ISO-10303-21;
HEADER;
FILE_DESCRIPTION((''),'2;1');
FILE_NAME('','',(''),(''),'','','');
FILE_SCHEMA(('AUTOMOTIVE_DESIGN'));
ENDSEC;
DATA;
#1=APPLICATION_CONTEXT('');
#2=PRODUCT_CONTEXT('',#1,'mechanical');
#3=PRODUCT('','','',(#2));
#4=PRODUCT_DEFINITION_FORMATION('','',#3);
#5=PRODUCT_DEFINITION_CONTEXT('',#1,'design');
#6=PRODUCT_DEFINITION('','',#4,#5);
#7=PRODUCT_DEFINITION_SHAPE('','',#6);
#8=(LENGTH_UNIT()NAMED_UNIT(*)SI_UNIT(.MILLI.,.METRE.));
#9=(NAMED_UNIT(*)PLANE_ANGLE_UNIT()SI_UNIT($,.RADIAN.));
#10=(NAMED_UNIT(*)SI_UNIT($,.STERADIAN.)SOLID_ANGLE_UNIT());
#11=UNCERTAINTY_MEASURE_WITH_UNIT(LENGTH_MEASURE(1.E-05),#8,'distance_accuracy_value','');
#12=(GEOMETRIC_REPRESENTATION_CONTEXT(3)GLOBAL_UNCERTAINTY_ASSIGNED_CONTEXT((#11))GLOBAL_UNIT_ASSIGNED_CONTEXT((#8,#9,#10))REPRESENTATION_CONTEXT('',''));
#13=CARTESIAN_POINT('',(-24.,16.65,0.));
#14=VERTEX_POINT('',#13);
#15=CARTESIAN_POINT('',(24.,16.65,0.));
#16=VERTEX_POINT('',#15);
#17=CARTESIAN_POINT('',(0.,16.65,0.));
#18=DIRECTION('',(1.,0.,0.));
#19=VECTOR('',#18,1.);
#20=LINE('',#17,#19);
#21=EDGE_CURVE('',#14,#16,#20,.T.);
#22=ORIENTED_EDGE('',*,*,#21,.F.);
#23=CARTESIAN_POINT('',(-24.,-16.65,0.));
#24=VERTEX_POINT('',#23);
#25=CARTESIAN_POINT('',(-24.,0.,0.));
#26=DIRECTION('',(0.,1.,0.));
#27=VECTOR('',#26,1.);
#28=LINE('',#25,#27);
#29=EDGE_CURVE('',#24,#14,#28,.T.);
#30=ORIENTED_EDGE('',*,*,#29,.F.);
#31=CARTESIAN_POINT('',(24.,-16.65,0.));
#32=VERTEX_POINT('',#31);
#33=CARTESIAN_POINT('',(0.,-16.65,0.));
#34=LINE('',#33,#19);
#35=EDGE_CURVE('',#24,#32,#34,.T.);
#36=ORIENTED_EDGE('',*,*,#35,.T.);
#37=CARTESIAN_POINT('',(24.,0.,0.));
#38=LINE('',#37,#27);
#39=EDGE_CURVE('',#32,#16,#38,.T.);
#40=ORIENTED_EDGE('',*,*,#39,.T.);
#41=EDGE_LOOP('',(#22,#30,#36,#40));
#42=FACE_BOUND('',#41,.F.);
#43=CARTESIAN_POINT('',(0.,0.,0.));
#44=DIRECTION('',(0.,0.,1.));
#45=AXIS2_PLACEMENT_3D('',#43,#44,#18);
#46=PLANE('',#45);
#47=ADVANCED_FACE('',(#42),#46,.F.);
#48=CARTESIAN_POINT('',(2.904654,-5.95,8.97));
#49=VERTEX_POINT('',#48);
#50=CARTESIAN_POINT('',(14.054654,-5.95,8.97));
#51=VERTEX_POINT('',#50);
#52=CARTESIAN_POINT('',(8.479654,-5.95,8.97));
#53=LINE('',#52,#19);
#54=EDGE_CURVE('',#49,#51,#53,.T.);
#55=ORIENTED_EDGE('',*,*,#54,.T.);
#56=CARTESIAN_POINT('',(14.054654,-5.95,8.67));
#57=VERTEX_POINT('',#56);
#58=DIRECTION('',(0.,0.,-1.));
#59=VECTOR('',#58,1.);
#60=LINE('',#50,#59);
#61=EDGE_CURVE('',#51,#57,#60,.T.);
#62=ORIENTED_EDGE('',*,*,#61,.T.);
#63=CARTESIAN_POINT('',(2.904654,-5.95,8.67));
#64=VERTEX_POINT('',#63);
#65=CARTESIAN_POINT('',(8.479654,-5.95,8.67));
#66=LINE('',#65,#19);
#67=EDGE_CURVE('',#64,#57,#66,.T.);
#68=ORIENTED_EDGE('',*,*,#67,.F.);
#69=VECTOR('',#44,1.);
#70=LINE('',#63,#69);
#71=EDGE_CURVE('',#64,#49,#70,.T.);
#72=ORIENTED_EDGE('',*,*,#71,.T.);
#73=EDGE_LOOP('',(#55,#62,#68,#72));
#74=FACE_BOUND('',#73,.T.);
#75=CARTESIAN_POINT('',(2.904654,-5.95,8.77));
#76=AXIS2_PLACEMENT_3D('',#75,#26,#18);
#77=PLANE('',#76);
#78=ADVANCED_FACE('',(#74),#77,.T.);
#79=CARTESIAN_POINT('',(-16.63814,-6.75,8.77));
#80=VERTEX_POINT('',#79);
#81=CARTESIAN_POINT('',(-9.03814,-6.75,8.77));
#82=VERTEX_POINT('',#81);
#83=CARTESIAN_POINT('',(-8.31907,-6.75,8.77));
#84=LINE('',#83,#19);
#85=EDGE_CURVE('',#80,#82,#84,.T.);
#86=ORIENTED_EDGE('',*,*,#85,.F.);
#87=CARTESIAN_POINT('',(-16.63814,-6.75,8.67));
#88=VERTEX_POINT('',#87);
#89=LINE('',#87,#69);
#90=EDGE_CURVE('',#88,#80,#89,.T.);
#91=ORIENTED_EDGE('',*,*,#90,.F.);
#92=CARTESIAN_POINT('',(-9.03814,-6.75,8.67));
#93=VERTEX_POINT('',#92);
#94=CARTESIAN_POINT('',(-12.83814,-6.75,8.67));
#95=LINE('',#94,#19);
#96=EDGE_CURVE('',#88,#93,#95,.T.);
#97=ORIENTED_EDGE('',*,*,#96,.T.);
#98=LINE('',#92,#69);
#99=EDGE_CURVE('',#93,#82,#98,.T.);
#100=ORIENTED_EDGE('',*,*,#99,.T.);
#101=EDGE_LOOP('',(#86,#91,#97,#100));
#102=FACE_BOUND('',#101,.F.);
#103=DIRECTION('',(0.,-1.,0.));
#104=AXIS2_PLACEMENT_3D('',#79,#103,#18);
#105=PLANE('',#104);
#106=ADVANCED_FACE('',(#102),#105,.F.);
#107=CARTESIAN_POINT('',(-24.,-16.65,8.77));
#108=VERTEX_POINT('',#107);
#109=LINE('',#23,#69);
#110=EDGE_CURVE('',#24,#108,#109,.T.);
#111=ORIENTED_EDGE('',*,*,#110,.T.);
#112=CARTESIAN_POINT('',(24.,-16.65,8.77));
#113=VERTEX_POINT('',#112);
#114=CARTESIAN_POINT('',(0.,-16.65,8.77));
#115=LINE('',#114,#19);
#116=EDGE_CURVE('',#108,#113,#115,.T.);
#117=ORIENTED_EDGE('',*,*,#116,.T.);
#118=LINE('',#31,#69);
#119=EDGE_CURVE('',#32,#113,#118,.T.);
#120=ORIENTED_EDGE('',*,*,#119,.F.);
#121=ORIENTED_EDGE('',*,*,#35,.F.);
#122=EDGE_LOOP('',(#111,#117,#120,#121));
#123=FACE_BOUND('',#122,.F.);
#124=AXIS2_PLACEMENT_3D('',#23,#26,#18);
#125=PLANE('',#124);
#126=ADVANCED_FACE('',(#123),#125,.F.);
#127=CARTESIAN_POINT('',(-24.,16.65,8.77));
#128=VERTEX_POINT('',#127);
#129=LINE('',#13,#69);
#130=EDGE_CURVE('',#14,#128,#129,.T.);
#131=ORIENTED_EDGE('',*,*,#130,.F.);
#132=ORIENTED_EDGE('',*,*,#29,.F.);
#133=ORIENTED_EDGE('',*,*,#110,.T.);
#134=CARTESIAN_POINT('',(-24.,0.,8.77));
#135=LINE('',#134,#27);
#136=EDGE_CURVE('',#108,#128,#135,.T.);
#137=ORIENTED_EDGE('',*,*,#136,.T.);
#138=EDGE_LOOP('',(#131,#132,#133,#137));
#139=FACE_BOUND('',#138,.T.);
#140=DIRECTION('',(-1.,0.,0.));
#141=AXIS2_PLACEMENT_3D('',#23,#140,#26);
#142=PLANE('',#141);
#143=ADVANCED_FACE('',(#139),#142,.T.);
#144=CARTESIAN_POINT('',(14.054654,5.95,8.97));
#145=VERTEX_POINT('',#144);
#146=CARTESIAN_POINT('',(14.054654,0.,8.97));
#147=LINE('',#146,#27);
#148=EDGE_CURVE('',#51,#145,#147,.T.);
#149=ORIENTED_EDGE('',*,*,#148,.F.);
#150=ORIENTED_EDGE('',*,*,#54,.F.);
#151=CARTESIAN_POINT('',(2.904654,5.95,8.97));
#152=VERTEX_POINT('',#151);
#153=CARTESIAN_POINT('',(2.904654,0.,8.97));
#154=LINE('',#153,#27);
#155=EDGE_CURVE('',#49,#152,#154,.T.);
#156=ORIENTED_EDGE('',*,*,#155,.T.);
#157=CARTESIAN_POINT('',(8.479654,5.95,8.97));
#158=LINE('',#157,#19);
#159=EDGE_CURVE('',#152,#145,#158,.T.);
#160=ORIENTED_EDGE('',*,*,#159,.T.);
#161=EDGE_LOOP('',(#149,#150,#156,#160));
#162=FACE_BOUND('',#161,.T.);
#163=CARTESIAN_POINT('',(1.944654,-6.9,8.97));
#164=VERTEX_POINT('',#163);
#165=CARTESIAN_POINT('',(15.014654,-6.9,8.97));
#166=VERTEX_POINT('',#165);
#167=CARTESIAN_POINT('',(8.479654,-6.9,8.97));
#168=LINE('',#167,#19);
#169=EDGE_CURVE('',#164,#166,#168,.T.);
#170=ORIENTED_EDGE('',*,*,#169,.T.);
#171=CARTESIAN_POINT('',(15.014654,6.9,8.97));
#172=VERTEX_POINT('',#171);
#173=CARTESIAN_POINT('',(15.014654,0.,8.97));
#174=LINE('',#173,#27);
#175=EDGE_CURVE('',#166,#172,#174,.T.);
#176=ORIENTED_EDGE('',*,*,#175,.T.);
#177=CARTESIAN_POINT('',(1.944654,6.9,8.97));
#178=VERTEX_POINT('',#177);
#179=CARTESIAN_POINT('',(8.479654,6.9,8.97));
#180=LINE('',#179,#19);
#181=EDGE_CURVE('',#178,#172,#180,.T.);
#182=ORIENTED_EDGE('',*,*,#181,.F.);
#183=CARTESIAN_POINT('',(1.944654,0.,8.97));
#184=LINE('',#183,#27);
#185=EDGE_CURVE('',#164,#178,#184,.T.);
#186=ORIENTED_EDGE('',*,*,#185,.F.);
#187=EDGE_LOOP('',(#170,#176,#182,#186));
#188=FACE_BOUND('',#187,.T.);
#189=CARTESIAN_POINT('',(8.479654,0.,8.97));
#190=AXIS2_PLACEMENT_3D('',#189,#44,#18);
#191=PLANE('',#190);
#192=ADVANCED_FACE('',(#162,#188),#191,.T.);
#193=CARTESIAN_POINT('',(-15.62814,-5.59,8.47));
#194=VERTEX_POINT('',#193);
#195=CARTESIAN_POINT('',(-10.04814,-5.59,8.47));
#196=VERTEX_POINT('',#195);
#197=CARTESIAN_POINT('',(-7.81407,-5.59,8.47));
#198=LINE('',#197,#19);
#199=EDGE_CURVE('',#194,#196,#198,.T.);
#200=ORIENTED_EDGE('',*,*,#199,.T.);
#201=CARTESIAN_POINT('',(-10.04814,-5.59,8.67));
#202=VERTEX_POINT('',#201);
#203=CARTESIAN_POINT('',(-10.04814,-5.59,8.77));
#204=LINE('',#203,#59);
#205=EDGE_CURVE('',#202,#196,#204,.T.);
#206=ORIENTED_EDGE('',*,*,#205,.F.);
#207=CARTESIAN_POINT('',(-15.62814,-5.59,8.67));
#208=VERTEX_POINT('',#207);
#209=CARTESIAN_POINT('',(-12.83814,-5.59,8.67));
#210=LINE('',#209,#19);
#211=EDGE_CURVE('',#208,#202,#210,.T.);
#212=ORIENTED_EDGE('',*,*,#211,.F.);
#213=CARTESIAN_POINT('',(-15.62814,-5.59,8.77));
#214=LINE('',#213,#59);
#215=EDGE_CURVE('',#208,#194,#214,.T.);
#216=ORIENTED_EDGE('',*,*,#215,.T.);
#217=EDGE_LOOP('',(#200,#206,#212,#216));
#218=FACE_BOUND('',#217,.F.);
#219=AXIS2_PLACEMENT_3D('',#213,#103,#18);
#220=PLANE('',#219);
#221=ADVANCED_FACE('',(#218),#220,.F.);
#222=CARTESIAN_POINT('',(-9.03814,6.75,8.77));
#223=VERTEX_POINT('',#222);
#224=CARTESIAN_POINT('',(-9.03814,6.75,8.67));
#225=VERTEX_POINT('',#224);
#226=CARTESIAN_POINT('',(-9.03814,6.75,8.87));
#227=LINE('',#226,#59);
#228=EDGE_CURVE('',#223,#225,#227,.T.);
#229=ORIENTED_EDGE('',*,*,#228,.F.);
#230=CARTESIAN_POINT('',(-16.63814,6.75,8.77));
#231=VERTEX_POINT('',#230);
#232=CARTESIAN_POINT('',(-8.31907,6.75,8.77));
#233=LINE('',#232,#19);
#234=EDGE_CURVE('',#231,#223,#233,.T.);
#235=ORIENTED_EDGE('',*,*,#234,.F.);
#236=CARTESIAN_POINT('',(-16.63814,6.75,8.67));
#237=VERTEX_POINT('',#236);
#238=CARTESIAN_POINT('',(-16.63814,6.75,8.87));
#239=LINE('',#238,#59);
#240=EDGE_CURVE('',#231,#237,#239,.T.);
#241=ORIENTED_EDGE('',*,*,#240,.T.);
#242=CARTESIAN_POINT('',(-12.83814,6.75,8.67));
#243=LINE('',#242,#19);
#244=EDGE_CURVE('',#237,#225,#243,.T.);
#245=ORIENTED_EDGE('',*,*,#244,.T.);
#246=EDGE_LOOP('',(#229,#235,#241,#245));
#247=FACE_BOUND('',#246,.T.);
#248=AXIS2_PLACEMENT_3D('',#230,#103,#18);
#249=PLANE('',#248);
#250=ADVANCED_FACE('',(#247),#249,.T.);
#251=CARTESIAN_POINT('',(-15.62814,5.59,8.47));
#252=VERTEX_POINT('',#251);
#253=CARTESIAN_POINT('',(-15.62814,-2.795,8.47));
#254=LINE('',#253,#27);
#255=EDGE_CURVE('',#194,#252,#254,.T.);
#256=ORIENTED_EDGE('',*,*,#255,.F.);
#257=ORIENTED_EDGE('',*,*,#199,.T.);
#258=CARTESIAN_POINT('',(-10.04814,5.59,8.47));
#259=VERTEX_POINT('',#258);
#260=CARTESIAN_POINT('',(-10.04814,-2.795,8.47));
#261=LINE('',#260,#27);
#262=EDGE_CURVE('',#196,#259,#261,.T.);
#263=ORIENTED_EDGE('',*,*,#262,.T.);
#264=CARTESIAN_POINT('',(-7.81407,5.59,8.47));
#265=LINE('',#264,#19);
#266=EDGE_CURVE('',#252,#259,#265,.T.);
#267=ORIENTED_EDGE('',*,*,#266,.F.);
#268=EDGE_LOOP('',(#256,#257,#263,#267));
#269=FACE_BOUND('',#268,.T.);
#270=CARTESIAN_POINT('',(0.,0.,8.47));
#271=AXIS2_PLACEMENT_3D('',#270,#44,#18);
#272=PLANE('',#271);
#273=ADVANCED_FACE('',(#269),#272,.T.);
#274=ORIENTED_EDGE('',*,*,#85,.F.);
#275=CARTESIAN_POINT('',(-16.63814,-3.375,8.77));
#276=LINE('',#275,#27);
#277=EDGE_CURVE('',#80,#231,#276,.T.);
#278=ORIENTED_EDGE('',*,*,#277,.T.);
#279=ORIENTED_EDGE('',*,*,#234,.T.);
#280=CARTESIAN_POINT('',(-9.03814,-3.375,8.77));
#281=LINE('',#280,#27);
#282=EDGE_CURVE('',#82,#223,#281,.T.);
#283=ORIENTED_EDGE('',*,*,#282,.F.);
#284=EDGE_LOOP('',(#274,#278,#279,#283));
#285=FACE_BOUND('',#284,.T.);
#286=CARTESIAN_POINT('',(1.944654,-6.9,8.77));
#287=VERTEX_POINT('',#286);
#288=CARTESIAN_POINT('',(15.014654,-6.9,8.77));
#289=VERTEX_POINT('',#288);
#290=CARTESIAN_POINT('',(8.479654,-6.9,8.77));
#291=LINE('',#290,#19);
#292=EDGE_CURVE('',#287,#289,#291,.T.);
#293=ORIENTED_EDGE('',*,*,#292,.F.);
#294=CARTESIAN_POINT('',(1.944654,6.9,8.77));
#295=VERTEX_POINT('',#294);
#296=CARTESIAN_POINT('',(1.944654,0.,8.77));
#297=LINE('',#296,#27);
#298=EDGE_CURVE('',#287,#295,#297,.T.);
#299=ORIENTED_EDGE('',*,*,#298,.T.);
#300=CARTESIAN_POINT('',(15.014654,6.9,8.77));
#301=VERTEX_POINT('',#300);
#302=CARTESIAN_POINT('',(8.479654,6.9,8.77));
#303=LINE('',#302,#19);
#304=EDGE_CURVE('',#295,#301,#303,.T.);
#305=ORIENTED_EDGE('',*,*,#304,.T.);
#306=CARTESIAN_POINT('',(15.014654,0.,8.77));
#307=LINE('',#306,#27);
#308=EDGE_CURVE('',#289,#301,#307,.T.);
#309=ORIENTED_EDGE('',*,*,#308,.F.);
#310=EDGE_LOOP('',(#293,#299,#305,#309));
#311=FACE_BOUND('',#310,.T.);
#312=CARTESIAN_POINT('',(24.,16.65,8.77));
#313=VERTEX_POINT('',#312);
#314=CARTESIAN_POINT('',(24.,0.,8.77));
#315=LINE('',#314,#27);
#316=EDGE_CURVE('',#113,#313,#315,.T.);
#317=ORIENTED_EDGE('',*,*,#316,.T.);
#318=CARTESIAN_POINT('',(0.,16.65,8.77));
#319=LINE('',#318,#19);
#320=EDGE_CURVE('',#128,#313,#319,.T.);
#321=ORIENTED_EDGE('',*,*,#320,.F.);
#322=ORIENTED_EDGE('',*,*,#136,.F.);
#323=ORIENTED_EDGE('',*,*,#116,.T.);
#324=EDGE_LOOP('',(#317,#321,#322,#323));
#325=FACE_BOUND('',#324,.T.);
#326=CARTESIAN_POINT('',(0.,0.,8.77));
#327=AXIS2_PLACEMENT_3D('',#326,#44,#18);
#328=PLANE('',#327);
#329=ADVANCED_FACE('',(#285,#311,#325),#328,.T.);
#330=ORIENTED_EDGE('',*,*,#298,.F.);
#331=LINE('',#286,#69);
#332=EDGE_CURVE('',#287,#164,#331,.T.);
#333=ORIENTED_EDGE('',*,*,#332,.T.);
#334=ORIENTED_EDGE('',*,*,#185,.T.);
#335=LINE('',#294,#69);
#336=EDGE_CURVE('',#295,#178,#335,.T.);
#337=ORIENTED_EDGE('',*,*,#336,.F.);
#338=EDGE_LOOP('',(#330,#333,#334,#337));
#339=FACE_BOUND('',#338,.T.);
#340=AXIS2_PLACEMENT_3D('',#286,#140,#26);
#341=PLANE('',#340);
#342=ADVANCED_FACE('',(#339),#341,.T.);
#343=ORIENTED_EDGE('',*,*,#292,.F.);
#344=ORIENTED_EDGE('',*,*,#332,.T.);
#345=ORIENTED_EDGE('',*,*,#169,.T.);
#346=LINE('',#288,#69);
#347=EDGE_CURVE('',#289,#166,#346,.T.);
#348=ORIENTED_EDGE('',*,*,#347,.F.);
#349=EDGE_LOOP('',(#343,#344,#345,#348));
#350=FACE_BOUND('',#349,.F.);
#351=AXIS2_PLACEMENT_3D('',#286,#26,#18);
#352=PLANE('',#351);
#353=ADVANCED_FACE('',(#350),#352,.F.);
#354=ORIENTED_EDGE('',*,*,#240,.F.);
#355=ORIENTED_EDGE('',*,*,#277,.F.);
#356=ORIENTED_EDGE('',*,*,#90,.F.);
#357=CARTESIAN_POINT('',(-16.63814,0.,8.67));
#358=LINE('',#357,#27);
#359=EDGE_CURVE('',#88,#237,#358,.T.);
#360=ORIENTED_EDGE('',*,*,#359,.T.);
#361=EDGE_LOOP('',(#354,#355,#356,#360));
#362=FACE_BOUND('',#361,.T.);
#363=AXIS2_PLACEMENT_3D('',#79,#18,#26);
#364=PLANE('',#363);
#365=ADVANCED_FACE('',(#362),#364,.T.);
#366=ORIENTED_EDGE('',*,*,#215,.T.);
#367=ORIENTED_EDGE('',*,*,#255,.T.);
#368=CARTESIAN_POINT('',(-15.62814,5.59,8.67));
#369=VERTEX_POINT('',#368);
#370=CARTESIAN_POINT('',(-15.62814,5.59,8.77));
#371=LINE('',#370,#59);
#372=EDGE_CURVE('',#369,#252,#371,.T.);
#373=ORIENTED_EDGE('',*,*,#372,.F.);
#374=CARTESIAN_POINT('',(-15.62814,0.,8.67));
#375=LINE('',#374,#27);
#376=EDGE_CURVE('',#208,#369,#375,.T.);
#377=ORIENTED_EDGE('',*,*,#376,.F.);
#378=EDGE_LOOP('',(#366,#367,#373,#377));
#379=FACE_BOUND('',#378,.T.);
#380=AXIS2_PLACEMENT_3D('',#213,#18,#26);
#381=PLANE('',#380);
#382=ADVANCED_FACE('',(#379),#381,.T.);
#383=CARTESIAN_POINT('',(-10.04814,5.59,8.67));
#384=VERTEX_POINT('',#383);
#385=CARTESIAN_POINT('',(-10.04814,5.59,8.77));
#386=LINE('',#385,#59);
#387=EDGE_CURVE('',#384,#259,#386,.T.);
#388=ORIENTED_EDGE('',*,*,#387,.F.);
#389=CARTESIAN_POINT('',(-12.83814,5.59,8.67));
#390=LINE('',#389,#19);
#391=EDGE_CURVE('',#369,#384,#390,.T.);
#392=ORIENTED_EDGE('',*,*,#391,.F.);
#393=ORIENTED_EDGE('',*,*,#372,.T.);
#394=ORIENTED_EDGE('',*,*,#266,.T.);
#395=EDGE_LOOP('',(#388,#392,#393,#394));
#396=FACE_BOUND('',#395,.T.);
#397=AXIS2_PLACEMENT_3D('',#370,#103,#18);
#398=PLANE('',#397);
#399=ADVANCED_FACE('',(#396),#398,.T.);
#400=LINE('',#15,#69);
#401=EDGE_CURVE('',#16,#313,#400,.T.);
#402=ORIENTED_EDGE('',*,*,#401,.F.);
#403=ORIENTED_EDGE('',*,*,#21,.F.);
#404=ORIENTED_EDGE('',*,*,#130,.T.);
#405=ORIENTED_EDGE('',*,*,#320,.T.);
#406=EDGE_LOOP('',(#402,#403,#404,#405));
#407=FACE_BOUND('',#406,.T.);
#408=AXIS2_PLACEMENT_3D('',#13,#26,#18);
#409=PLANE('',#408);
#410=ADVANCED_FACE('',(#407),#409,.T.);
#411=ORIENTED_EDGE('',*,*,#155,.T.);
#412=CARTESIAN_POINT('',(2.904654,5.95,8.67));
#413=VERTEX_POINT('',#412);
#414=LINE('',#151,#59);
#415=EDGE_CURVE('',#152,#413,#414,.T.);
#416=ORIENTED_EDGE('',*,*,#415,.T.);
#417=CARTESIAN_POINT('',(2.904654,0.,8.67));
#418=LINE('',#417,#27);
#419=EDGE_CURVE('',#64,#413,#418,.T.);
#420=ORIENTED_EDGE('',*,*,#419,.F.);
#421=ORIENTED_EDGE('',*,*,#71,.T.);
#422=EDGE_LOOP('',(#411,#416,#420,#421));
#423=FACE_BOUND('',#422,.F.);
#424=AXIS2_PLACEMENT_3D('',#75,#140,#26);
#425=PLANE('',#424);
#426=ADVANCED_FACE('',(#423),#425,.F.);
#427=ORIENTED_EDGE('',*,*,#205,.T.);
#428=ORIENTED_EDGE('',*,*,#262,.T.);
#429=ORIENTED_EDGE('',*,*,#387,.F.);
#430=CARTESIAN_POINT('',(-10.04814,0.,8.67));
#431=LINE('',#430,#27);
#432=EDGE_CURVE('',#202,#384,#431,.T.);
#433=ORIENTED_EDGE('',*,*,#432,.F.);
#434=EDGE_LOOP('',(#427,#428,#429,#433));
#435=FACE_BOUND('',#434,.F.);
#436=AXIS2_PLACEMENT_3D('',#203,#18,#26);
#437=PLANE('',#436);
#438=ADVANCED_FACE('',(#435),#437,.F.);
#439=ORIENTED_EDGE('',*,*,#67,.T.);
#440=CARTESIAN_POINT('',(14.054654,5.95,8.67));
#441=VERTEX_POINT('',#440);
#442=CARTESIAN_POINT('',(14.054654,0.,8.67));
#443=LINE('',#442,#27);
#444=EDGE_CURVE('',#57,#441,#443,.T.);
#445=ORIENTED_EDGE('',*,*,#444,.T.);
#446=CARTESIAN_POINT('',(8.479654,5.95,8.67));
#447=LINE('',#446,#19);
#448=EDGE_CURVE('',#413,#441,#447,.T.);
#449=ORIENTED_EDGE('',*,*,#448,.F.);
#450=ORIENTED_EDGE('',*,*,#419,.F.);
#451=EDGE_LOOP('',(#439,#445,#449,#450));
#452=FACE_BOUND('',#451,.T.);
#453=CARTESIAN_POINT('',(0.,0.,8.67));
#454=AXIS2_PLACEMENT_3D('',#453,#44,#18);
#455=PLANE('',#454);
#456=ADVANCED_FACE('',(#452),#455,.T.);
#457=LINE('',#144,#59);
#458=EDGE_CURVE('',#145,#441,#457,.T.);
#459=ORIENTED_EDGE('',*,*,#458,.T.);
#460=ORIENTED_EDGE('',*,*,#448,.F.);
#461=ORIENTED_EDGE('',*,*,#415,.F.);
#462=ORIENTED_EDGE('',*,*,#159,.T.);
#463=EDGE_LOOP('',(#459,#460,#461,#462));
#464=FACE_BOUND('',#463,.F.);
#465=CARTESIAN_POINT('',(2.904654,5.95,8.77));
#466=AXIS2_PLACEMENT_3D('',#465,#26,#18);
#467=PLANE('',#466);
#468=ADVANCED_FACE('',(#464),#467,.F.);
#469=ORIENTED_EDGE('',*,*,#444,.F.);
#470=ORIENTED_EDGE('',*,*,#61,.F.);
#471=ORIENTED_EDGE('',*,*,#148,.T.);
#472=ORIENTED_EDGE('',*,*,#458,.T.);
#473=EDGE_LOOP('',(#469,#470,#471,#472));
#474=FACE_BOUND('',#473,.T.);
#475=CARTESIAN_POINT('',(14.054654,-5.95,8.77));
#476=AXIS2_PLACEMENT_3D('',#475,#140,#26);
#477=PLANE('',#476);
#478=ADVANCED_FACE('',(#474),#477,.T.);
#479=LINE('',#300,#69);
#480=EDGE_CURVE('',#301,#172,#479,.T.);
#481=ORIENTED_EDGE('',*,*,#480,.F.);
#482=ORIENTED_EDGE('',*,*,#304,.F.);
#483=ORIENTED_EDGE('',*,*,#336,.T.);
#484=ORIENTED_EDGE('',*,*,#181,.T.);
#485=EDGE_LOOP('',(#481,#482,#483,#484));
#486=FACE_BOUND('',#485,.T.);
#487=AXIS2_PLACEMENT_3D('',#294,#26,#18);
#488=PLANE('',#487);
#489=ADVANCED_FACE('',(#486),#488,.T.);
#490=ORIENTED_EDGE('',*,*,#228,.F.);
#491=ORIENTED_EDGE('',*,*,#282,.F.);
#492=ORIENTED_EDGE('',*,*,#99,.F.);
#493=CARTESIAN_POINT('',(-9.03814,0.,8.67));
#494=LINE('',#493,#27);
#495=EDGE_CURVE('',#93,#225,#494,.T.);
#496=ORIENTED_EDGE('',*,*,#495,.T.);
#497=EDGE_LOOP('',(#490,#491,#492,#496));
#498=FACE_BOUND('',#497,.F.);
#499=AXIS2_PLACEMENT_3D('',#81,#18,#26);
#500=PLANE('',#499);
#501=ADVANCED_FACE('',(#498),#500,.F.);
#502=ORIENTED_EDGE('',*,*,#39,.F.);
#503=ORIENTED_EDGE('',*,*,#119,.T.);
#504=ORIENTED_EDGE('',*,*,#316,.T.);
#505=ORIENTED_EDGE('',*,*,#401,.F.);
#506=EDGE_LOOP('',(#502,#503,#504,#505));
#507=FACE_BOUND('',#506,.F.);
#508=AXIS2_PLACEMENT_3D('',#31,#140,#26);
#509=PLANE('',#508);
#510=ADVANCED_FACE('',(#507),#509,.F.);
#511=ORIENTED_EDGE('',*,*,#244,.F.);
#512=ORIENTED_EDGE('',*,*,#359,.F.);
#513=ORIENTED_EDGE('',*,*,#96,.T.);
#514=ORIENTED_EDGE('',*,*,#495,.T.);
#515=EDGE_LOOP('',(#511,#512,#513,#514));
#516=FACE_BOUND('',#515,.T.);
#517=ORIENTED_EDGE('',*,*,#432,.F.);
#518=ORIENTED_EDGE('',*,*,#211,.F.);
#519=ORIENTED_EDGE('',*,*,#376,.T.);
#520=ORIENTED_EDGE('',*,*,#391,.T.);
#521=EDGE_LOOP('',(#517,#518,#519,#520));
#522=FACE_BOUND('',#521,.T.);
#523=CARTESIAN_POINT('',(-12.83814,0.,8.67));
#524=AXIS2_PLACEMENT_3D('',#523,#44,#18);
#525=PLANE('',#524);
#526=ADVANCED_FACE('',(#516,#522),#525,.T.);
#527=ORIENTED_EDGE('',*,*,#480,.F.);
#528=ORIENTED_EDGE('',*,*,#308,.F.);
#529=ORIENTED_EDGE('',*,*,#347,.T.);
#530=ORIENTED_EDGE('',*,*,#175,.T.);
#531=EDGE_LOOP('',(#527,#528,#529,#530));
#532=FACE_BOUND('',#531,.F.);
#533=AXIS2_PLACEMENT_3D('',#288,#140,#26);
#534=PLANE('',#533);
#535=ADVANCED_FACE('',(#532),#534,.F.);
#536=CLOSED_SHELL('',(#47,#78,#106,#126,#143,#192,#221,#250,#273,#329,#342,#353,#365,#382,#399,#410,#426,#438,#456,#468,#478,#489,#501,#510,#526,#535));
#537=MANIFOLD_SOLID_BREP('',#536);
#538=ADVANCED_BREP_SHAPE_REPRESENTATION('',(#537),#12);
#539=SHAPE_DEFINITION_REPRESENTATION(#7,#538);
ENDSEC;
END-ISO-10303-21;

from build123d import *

# Parameters (mm, degrees)
F0_W     = 48
F0_H     = 33.3
F1_DEPTH = 8.77
F2_W     = 7.6
F2_H     = 13.5
F2_W_2   = 5.58
F2_H_2   = 11.18
F3_DEPTH = 0.1
F4_DEPTH = 0.3
F5_W     = 13.07
F5_H     = 13.8
F5_W_2   = 11.15
F5_H_2   = 11.9
F6_DEPTH = 0.2
F7_DEPTH = 0.1


with BuildPart() as f1:
    # F0 (on Top) → F1 (new body)
    with BuildSketch(Plane.XY):
        Rectangle(F0_W, F0_H)
    extrude(amount=F1_DEPTH)

    # F2 (on face) → F3 (cut, symmetric)
    with BuildSketch(Plane.XY.offset(8.77)):
        with Locations((-12.83814013, 0)):
            Rectangle(F2_W, F2_H)
        with Locations((-12.83814013, 0)):
            Rectangle(F2_W_2, F2_H_2, mode=Mode.SUBTRACT)
    extrude(amount=F3_DEPTH, both=True, mode=Mode.SUBTRACT)

    # F4 (cut): a face of the model
    f4_faces = [f1.faces().sort_by_distance(p)[0] for p in [
        (-12.83814013, 0, 8.77),
    ]]
    extrude(f4_faces, amount=-F4_DEPTH, mode=Mode.SUBTRACT)

    # F5 (on face) → F6 (join)
    with BuildSketch(Plane.XY.offset(8.77)):
        with Locations((8.4796537594, 0)):
            Rectangle(F5_W, F5_H)
        with Locations((8.4796537594, 0)):
            Rectangle(F5_W_2, F5_H_2, mode=Mode.SUBTRACT)
    extrude(amount=F6_DEPTH)

    # F7 (cut): a face of the model
    f7_faces = [f1.faces().sort_by_distance(p)[0] for p in [
        (8.4796537594, 0, 8.77),
    ]]
    extrude(f7_faces, amount=-F7_DEPTH, mode=Mode.SUBTRACT)


solid = f1.part
